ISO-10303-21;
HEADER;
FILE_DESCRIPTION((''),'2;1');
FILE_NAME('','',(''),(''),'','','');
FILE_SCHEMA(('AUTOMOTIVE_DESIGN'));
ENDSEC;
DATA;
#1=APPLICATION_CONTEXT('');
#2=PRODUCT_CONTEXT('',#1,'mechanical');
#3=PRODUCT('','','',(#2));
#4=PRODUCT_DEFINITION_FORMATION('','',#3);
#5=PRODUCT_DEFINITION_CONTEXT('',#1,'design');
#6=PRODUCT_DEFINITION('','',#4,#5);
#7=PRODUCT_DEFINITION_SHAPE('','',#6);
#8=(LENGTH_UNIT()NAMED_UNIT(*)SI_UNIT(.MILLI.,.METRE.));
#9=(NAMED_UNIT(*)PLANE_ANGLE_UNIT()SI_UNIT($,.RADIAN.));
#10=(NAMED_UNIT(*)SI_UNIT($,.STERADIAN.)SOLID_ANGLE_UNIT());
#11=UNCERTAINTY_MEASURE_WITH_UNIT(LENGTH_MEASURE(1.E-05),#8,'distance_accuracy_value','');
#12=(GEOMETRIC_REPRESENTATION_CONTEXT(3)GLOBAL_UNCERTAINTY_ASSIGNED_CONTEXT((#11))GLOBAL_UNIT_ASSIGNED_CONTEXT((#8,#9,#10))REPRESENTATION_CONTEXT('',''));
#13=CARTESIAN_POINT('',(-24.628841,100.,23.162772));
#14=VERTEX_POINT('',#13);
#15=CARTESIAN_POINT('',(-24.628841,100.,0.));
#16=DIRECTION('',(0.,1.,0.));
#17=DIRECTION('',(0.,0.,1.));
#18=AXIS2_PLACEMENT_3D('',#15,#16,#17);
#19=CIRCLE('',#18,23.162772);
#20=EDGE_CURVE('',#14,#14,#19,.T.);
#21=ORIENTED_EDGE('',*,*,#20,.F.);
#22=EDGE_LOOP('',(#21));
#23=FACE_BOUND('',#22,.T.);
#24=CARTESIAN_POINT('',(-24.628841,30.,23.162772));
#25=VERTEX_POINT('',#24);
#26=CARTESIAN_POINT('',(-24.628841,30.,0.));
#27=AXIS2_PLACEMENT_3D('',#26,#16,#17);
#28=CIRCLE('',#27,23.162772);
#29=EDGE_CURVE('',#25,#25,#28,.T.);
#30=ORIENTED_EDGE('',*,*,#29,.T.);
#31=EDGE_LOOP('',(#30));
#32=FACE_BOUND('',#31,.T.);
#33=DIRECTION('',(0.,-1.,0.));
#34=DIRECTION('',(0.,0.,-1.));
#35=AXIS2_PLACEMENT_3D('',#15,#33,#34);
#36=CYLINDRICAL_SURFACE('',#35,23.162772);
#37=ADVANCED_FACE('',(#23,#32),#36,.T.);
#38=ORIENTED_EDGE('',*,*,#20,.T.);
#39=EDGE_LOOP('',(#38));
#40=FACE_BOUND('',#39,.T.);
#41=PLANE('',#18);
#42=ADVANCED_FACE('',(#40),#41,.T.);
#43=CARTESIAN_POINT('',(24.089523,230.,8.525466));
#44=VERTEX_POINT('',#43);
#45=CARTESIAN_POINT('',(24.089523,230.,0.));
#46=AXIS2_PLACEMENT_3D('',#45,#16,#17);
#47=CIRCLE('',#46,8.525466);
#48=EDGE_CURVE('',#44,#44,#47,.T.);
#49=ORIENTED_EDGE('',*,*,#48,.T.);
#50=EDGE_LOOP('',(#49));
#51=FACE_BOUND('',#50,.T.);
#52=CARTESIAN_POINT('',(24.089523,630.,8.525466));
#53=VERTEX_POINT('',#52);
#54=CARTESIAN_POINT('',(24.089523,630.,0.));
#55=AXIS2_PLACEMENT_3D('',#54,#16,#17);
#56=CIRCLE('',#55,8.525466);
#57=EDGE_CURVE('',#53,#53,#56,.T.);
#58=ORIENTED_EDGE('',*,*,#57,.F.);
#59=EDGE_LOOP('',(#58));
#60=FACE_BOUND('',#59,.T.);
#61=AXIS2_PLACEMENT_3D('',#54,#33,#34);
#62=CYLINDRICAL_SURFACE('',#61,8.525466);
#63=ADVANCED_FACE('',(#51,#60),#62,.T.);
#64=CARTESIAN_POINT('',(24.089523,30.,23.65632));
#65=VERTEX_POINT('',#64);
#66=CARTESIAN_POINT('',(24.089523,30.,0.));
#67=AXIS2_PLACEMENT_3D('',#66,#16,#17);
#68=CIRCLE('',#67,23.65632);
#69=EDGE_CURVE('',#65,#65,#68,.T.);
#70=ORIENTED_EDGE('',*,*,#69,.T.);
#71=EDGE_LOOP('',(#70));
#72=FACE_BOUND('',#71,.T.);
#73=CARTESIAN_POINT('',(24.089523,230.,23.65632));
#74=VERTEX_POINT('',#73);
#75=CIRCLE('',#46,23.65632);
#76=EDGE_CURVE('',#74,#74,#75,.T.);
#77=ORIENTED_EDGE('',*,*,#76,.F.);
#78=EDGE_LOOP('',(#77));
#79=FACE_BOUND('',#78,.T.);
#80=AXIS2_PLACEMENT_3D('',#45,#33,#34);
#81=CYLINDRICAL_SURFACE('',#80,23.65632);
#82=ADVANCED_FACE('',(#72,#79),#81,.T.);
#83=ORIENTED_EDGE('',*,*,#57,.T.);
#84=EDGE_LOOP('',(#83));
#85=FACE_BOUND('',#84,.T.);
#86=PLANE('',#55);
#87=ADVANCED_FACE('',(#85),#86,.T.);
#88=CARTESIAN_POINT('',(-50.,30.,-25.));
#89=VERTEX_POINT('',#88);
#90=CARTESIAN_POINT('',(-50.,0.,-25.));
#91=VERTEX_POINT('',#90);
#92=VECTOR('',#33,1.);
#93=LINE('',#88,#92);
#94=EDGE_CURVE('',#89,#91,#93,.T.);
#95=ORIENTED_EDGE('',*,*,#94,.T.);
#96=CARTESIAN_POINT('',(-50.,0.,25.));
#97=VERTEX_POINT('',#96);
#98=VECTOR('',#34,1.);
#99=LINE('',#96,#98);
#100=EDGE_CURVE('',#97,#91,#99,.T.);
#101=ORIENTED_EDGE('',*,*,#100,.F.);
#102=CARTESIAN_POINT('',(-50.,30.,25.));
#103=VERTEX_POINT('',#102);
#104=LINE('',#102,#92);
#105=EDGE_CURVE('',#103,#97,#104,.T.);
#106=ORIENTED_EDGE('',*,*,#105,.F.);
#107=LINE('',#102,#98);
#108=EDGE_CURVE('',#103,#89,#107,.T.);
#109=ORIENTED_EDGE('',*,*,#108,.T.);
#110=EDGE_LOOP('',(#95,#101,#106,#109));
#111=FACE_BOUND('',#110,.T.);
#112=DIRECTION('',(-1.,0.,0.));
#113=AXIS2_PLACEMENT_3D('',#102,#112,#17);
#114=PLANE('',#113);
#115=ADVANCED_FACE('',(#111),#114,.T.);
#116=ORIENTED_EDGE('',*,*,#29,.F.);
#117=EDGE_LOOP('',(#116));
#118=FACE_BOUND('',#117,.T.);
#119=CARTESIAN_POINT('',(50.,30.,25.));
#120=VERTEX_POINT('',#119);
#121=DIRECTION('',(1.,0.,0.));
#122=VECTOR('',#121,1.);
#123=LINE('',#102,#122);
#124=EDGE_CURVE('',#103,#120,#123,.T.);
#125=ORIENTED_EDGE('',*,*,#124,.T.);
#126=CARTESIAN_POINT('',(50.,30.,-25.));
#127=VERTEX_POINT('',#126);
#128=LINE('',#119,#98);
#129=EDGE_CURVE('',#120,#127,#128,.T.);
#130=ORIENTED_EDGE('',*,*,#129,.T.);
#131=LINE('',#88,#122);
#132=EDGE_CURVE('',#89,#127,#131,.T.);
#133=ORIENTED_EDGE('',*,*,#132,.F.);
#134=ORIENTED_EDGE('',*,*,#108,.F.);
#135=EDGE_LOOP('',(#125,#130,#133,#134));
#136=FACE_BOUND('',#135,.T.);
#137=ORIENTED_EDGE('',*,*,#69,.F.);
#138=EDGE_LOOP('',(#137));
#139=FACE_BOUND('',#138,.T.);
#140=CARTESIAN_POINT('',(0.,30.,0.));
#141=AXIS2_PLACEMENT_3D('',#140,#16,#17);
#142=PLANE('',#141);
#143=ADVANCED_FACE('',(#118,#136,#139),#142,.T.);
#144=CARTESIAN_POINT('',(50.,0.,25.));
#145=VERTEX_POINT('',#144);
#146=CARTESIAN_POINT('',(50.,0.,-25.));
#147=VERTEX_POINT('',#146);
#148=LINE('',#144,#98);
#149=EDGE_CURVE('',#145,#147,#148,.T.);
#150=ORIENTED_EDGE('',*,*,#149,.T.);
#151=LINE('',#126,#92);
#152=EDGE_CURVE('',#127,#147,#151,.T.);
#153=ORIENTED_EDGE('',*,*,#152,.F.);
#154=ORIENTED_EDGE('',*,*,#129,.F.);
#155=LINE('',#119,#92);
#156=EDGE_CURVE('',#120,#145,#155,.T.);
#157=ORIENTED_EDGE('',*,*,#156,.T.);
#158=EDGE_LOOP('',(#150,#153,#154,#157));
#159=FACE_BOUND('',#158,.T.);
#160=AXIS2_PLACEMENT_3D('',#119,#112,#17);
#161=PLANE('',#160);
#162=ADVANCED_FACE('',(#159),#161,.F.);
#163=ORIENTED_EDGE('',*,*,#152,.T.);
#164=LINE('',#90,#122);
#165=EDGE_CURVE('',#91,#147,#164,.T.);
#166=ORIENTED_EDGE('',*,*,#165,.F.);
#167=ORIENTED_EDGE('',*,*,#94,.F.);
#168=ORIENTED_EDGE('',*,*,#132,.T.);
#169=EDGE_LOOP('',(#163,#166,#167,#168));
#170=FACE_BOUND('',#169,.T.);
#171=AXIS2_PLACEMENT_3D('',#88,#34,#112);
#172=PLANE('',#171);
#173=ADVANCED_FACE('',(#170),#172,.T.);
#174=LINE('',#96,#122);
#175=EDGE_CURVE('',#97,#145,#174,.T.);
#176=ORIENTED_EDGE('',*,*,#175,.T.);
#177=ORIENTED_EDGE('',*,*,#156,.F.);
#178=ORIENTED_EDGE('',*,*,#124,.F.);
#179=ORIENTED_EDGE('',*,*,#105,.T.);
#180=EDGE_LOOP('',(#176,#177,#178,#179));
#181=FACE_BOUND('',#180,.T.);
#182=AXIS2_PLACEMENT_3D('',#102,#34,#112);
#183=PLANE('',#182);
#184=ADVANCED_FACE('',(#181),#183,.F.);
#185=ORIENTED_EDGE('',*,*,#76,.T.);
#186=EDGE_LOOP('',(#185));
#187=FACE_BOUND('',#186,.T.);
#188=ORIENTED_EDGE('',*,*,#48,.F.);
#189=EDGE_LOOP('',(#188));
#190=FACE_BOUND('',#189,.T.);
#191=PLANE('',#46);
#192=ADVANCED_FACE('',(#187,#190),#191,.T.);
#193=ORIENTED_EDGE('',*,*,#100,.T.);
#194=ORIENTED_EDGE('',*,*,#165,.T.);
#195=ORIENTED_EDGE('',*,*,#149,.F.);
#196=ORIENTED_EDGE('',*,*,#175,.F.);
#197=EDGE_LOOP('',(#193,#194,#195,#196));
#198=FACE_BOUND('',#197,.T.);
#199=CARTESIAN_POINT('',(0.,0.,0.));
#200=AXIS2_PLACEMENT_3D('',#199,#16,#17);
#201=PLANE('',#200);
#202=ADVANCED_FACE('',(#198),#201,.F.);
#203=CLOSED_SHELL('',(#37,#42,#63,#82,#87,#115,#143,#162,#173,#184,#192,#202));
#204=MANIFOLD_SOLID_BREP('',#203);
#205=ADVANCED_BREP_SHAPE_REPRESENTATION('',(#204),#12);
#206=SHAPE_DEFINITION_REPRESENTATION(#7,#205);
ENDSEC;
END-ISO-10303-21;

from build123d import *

# Parameters (mm, degrees)
SKETCH1_W           = 100
SKETCH1_H           = 50
BOSS_EXTRUDE1_DEPTH = 30
SKETCH3_R           = 23.162771803
BOSS_EXTRUDE2_DEPTH = 70
SKETCH4_R           = 23.656320331
BOSS_EXTRUDE3_DEPTH = 200
SKETCH5_R           = 8.525466093
BOSS_EXTRUDE4_DEPTH = 400


with BuildPart() as part:
    # Sketch1 → Boss-Extrude1 (new body)
    with BuildSketch(Plane(origin=(0, 0, 0), x_dir=(1, 0, 0), z_dir=(0, 1, 0))):
        Rectangle(SKETCH1_W, SKETCH1_H)
    extrude(amount=BOSS_EXTRUDE1_DEPTH)

    # Sketch3 → Boss-Extrude2 (add)
    with BuildSketch(Plane(origin=(0, 30, 0), x_dir=(1, 0, 0), z_dir=(0, 1, 0))):
        with Locations(Location((-24.62884077, 0, 0), (0, 0, 270))):
            Circle(SKETCH3_R)
    extrude(amount=BOSS_EXTRUDE2_DEPTH)

    # Sketch4 → Boss-Extrude3 (add)
    with BuildSketch(Plane(origin=(0, 30, 0), x_dir=(1, 0, 0), z_dir=(0, 1, 0))):
        with Locations(Location((24.089523089, 0, 0), (0, 0, 270))):
            Circle(SKETCH4_R)
    extrude(amount=BOSS_EXTRUDE3_DEPTH)

    # Sketch5 → Boss-Extrude4 (add)
    with BuildSketch(Plane(origin=(0, 230, 0), x_dir=(1, 0, 0), z_dir=(0, 1, 0))):
        with Locations(Location((24.089523089, 0, 0), (0, 0, 270))):
            Circle(SKETCH5_R)
    extrude(amount=BOSS_EXTRUDE4_DEPTH)


solid = part.part
